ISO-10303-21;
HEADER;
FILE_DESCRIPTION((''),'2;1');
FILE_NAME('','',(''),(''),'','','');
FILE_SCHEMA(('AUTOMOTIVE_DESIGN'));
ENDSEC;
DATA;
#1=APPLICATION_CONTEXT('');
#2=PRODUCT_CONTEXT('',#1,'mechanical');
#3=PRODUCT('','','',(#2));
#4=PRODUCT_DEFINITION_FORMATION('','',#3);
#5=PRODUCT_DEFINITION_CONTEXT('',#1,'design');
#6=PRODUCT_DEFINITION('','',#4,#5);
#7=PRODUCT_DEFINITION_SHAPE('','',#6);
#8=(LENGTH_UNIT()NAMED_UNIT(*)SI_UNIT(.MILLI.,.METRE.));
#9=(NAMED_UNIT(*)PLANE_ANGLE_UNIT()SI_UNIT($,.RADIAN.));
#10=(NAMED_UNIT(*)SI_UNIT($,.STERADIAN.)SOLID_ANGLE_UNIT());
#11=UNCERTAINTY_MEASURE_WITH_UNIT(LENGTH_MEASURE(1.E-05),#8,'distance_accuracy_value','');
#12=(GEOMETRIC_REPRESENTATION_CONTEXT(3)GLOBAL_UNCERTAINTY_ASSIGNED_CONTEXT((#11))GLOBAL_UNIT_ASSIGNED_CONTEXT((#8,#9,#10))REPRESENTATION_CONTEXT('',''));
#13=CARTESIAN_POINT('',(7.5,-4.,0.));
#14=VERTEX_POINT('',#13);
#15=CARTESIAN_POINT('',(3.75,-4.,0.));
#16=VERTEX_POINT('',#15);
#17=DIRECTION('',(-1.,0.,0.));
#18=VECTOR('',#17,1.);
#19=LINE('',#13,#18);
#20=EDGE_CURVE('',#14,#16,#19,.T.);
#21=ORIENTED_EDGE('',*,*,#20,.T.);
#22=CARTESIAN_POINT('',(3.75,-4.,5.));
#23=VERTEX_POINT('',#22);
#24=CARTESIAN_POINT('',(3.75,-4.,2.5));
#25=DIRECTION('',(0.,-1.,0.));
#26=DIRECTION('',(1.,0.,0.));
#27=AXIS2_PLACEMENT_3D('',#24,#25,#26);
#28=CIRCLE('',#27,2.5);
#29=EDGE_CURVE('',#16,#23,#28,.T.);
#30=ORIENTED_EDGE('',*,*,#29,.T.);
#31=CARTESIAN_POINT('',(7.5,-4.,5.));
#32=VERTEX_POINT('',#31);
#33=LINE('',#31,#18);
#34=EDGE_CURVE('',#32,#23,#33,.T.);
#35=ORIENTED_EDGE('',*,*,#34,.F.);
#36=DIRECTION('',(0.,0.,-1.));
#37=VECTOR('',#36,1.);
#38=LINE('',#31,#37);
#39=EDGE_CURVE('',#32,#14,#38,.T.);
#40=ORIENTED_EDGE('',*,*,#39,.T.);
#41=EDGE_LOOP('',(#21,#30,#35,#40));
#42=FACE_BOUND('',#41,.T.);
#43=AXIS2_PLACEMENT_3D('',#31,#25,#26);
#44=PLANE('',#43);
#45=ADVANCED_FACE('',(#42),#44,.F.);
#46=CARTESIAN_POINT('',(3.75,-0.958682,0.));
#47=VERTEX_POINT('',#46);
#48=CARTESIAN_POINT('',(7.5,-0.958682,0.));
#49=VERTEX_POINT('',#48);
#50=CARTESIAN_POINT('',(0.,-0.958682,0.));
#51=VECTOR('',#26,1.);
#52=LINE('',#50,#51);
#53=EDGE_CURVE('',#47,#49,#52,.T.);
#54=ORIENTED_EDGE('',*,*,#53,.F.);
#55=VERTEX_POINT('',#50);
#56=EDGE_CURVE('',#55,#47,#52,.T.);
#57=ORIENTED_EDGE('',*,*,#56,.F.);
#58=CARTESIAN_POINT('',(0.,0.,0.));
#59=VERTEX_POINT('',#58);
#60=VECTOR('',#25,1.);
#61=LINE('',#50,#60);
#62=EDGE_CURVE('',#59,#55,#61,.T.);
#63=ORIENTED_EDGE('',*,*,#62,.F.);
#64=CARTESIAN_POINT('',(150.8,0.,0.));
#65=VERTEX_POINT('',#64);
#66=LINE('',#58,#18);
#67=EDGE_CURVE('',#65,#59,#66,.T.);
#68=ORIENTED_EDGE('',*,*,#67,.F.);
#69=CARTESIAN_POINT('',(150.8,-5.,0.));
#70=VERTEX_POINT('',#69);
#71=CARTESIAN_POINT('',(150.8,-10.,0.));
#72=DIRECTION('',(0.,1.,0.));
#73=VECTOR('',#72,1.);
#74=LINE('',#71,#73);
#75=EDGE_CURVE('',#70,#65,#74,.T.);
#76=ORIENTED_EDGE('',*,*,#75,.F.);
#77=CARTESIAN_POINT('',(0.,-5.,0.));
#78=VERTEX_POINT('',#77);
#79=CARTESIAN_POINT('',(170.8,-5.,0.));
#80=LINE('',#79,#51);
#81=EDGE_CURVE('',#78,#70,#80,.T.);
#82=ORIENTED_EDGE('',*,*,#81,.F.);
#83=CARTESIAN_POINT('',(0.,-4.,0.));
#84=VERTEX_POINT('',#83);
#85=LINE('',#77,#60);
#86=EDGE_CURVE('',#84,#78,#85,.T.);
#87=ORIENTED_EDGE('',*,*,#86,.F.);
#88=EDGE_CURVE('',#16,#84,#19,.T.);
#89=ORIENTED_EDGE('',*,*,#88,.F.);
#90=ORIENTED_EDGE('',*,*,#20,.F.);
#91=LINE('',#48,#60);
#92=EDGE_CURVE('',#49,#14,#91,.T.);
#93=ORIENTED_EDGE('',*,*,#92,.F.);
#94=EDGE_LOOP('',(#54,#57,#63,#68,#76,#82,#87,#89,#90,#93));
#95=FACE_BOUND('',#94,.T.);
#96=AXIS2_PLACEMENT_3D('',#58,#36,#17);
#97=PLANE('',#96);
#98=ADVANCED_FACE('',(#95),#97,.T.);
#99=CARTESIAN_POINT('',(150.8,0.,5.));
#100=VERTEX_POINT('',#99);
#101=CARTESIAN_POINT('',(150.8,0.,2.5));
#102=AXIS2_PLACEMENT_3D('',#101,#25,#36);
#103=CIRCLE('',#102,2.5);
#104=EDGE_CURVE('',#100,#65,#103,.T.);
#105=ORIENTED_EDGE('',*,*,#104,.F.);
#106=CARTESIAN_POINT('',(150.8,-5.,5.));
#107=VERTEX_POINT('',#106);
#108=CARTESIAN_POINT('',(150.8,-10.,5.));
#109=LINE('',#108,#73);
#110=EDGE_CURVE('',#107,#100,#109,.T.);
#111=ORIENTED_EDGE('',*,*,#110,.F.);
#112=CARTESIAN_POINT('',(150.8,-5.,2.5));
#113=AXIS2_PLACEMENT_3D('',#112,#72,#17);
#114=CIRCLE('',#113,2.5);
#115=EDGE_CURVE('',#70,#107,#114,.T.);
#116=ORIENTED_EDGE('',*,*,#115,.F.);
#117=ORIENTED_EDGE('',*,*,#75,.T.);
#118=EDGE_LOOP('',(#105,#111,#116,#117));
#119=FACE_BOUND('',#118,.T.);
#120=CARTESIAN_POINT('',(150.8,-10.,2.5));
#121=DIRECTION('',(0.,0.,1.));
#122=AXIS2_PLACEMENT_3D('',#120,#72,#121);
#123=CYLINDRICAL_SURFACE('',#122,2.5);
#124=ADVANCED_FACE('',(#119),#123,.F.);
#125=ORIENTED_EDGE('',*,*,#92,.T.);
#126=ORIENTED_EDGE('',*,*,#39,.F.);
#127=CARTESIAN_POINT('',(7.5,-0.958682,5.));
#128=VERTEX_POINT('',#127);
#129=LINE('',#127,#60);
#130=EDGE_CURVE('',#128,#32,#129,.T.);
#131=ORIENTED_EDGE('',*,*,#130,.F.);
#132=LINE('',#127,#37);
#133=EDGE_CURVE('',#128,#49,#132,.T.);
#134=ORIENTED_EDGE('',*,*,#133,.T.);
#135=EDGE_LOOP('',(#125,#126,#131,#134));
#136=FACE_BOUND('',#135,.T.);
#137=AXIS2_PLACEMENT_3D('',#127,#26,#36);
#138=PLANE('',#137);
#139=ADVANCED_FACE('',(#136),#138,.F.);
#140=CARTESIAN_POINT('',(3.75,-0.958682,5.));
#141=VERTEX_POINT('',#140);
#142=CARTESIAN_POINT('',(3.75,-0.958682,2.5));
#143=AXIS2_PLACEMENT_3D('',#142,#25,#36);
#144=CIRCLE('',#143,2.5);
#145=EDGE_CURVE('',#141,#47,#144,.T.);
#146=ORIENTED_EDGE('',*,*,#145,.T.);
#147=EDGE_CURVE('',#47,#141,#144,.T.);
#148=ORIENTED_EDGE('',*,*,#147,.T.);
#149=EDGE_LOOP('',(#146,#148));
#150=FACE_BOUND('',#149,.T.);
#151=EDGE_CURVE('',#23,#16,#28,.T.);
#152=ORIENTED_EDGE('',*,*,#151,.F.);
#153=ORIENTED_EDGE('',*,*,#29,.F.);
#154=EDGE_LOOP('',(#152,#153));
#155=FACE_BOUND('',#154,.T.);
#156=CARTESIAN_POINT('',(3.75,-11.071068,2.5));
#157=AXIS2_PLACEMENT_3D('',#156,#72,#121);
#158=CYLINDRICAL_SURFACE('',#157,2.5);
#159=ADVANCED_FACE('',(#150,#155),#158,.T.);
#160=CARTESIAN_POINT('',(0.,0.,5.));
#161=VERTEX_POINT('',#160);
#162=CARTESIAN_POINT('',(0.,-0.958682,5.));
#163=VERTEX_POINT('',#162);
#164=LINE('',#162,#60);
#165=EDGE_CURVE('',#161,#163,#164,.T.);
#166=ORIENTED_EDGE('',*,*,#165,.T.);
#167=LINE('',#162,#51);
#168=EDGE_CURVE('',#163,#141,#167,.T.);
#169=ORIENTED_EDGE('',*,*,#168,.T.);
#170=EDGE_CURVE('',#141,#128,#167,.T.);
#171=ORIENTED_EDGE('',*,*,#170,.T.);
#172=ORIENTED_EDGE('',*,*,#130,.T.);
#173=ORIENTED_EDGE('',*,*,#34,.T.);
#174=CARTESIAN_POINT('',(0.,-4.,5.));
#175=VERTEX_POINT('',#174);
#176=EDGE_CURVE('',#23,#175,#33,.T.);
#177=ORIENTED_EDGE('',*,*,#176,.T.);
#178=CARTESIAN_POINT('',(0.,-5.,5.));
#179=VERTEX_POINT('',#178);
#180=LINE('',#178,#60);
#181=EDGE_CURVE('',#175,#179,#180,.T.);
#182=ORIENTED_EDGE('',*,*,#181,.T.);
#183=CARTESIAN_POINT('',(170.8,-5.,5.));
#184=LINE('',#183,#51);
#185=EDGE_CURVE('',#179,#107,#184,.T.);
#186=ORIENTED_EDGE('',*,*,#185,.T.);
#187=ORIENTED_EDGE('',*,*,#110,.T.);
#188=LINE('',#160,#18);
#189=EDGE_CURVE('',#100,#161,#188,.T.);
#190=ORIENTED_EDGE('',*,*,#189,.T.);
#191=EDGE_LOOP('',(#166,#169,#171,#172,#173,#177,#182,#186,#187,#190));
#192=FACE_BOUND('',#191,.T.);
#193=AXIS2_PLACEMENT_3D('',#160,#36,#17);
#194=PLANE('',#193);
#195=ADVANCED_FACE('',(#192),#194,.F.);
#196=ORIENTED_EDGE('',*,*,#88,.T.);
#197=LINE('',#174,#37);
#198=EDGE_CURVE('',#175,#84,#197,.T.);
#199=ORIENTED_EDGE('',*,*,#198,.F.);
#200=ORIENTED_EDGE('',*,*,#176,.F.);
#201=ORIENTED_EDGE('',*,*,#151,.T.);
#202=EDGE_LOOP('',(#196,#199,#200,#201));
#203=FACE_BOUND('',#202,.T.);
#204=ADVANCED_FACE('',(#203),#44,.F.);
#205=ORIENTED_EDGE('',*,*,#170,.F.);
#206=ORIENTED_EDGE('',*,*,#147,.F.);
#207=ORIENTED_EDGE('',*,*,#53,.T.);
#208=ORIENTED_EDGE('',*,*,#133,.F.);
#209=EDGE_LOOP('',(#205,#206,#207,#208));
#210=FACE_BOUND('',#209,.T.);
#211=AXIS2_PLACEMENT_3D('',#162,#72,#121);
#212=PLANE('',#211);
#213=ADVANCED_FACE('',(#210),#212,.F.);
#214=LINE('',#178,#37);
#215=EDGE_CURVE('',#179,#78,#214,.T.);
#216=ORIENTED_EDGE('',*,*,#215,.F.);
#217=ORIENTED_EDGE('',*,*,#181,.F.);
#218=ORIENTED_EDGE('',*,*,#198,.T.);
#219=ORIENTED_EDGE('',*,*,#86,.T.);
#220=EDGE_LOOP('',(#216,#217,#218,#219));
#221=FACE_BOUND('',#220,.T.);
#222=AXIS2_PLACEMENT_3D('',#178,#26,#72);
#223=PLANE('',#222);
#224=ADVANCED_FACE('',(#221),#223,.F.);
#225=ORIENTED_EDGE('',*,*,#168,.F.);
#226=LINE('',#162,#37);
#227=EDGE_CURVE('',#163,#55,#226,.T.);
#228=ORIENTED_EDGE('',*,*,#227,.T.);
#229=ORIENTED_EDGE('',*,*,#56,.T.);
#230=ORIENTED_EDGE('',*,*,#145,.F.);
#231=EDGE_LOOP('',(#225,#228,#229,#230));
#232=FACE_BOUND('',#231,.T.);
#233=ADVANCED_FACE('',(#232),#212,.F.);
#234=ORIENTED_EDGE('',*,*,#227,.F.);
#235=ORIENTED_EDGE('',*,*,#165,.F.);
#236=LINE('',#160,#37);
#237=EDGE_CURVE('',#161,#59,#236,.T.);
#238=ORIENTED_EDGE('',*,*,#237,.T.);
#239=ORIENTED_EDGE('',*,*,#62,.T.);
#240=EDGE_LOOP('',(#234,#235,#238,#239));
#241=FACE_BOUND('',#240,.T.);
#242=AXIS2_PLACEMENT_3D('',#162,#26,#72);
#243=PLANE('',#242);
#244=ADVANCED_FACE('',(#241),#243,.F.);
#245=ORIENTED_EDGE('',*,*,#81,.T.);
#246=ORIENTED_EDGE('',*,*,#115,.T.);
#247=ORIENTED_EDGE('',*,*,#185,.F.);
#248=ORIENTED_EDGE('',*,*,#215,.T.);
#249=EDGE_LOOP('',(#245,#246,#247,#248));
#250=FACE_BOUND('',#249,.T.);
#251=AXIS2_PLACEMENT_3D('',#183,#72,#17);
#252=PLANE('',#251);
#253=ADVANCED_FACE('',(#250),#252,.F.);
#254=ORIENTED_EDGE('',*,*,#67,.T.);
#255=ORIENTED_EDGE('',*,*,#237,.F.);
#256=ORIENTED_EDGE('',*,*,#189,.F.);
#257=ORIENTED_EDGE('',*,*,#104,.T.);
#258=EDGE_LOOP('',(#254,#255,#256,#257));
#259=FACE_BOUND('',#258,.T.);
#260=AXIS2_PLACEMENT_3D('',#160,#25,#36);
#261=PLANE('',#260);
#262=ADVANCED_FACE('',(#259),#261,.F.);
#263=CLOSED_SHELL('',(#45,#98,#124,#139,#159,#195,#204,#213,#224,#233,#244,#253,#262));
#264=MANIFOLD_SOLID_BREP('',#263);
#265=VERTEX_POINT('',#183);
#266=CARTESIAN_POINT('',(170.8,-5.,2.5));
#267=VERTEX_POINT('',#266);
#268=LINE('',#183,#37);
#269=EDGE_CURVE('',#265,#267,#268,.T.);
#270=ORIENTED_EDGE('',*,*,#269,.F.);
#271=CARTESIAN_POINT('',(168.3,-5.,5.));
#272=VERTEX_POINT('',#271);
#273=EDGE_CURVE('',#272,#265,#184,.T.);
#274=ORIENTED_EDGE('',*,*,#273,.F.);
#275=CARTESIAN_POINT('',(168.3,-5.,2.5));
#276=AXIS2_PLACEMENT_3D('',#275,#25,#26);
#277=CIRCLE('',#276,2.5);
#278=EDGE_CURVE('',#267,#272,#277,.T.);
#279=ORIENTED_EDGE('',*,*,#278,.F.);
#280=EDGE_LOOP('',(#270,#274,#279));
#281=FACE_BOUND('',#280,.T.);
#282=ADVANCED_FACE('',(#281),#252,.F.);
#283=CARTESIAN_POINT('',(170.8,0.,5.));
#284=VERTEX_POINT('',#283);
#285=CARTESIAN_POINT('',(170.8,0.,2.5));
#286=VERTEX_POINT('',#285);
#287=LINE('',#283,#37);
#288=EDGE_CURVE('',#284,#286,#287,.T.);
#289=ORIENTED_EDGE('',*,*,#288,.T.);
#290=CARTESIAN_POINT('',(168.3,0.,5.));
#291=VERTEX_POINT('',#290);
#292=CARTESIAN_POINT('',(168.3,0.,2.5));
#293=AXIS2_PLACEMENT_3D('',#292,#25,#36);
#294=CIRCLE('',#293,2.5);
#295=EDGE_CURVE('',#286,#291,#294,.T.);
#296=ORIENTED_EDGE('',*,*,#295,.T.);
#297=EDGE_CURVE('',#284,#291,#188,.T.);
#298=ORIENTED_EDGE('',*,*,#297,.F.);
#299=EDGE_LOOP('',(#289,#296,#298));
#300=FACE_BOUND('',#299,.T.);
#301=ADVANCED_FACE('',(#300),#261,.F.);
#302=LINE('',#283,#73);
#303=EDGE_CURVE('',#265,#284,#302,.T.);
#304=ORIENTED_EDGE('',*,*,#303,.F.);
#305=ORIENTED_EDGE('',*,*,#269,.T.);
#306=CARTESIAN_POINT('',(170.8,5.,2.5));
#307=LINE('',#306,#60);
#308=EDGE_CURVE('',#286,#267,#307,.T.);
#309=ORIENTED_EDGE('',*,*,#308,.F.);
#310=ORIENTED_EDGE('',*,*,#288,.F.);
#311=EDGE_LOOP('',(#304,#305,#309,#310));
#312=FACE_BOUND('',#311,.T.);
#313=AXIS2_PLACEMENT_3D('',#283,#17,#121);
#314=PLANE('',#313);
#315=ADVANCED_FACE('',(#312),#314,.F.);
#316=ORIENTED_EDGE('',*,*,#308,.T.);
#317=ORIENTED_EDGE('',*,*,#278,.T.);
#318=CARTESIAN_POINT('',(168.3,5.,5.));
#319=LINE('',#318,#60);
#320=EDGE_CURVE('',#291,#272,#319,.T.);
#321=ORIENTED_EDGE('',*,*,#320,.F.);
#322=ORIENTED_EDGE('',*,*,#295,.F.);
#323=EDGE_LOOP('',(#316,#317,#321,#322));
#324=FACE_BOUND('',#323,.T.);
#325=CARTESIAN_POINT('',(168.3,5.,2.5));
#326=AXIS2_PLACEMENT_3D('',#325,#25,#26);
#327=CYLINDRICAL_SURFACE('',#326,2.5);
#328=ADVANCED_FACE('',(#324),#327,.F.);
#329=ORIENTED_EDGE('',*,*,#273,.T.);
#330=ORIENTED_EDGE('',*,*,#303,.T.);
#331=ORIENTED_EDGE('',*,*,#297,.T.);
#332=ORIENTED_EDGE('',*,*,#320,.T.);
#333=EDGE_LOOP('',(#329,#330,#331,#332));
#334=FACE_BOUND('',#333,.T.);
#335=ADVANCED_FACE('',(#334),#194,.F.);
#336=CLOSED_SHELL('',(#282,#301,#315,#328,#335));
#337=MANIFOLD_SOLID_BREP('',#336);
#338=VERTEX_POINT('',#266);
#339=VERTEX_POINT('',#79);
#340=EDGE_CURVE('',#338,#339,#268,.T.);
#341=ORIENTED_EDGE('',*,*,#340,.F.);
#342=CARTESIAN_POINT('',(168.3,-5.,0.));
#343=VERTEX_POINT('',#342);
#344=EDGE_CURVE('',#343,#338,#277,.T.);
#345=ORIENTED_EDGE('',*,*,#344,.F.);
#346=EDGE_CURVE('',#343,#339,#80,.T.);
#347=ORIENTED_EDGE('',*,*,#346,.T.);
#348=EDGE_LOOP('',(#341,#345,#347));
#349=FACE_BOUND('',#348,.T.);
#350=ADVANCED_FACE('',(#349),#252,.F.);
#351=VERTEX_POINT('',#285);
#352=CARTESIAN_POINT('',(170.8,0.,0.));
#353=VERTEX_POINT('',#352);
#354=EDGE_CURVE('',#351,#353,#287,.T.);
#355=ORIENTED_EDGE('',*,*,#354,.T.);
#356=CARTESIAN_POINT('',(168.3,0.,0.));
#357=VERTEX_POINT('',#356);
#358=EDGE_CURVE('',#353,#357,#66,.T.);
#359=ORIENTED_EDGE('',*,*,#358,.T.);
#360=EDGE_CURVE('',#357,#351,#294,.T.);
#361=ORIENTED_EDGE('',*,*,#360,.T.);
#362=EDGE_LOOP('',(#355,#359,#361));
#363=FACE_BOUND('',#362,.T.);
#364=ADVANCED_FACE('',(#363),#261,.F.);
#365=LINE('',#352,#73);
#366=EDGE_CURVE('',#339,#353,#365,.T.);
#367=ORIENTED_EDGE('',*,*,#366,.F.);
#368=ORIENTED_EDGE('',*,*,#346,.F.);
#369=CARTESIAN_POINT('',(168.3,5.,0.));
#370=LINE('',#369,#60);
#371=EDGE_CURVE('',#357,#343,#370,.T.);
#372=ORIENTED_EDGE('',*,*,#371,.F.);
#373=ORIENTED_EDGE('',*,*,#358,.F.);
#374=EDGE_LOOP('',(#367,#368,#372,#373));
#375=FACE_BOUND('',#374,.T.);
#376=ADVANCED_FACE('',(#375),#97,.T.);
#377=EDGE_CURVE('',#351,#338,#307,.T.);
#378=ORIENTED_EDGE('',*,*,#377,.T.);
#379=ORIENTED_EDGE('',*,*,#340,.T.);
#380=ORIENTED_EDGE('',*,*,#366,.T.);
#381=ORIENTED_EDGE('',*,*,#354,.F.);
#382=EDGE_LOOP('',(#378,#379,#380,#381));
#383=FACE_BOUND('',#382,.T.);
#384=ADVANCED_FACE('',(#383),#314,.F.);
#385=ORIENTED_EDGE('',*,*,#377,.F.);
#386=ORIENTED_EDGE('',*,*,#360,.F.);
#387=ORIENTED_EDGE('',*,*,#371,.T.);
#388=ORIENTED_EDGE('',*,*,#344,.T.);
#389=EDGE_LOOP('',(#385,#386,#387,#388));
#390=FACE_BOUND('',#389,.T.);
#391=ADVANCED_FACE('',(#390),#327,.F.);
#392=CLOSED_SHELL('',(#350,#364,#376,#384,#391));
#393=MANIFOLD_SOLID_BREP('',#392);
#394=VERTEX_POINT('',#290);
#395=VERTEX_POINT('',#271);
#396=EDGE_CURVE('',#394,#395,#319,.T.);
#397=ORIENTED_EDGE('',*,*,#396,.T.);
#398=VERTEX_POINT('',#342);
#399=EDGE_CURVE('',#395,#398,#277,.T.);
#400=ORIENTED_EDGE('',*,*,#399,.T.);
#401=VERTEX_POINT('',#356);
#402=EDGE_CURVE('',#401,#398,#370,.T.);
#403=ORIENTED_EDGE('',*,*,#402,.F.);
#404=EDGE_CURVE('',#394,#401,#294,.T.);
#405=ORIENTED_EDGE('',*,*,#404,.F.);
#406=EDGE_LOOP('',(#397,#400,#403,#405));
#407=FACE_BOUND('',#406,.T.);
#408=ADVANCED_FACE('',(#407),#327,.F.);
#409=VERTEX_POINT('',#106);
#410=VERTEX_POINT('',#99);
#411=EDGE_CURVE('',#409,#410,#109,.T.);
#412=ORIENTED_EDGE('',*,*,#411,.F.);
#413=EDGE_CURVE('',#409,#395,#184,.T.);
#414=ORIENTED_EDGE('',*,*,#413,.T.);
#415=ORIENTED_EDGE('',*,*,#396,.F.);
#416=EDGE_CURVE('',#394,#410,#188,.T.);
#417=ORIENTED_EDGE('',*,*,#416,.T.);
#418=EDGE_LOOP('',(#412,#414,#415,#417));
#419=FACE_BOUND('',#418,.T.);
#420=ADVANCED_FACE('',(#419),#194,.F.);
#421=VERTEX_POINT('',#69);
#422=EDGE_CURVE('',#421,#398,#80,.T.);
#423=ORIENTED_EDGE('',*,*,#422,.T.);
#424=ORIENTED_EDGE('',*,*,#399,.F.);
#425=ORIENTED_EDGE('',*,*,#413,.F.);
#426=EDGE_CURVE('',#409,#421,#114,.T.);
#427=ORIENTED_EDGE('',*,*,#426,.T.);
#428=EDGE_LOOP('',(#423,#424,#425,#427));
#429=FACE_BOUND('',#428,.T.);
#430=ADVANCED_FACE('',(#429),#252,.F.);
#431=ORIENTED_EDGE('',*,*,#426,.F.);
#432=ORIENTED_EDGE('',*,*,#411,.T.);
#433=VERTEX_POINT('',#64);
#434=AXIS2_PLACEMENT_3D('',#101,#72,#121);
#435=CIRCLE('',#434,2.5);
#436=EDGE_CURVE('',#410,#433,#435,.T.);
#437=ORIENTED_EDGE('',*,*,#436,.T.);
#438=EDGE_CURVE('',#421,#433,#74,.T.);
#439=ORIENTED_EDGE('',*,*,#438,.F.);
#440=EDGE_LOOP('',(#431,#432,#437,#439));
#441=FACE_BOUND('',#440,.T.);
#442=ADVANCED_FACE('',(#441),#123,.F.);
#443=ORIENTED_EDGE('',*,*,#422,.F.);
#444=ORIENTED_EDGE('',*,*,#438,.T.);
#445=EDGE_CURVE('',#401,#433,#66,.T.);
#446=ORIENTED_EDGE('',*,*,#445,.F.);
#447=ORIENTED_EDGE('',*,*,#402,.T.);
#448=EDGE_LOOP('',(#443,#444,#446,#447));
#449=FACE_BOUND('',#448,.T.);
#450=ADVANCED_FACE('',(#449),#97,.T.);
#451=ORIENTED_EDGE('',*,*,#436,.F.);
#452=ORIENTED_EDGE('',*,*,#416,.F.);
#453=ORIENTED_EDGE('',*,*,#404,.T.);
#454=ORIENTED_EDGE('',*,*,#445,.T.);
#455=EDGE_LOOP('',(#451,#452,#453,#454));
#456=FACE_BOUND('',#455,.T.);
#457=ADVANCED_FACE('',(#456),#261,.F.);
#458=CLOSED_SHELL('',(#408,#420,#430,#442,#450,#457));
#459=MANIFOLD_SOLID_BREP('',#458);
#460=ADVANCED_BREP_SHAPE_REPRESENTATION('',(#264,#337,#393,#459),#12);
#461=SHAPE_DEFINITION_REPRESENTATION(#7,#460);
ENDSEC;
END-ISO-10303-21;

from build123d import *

# Parameters (mm, degrees)
BOSS_EXTRUDE1_DEPTH = 5
SKETCH8_R           = 2.5
BOSS_EXTRUDE4_DEPTH = 3.041317676
SKETCH9_R           = 2.5
CUT_EXTRUDE1_DEPTH  = 10
SKETCH10_R          = 2.5
CUT_EXTRUDE3_DEPTH  = 10


with BuildPart() as part:
    # Sketch1 → Boss-Extrude1 (new body)
    with BuildSketch(Plane.XY):
        Polygon((0, 0), (170.8, 0), (170.8, -5), (0, -5), (0, -4), (7.5, -4), (7.5, -0.958682324), (0, -0.958682324), align=None)
    extrude(amount=BOSS_EXTRUDE1_DEPTH)

    # Sketch8 → Boss-Extrude4 (add)
    with BuildSketch(Plane.XZ.offset(0.958682324)):
        with Locations(Location((3.75, 2.5, 0), (0, 0, 90))):
            Circle(SKETCH8_R)
    extrude(amount=BOSS_EXTRUDE4_DEPTH)

    # Sketch9 → Cut-Extrude1 (cut)
    with BuildSketch(Plane.XZ.offset(5)):
        with Locations((168.3, 2.5)):
            Circle(SKETCH9_R)
    extrude(amount=-CUT_EXTRUDE1_DEPTH, mode=Mode.SUBTRACT)


with BuildPart() as cut_extrude1_piece_1:
    # of the separate pieces the step leaves, piece 1, a body of its own (cut_extrude1_pieces)
    add(part.part.solids().sort_by_distance((0, 0, 0))[0])

    # Sketch10 → Cut-Extrude3 (cut)
    with BuildSketch(Plane(origin=(0, 0, 0), x_dir=(1, 0, 0), z_dir=(0, 1, 0))):
        with Locations((150.8, -2.5)):
            Circle(SKETCH10_R)
    extrude(amount=-CUT_EXTRUDE3_DEPTH, mode=Mode.SUBTRACT)


with BuildPart() as cut_extrude1_piece_2:
    # of the separate pieces the step leaves, piece 2, a body of its own (cut_extrude1_pieces)
    add(part.part.solids().sort_by_distance((170.8, -5, 0))[0])


with BuildPart() as cut_extrude1_piece_3:
    # of the separate pieces the step leaves, piece 3, a body of its own (cut_extrude1_pieces)
    add(part.part.solids().sort_by_distance((170.8, 0, 5))[0])


with BuildPart() as cut_extrude3_piece_1:
    # of the separate pieces the step leaves, piece 1, a body of its own (cut_extrude3_pieces)
    add(cut_extrude1_piece_1.part.solids().sort_by_distance((0, 0, 0))[0])


with BuildPart() as cut_extrude3_piece_2:
    # of the separate pieces the step leaves, piece 2, a body of its own (cut_extrude3_pieces)
    add(cut_extrude1_piece_1.part.solids().sort_by_distance((168.3, -5, 0))[0])


solid = Compound([cut_extrude1_piece_2.part, cut_extrude1_piece_3.part, cut_extrude3_piece_1.part, cut_extrude3_piece_2.part])
